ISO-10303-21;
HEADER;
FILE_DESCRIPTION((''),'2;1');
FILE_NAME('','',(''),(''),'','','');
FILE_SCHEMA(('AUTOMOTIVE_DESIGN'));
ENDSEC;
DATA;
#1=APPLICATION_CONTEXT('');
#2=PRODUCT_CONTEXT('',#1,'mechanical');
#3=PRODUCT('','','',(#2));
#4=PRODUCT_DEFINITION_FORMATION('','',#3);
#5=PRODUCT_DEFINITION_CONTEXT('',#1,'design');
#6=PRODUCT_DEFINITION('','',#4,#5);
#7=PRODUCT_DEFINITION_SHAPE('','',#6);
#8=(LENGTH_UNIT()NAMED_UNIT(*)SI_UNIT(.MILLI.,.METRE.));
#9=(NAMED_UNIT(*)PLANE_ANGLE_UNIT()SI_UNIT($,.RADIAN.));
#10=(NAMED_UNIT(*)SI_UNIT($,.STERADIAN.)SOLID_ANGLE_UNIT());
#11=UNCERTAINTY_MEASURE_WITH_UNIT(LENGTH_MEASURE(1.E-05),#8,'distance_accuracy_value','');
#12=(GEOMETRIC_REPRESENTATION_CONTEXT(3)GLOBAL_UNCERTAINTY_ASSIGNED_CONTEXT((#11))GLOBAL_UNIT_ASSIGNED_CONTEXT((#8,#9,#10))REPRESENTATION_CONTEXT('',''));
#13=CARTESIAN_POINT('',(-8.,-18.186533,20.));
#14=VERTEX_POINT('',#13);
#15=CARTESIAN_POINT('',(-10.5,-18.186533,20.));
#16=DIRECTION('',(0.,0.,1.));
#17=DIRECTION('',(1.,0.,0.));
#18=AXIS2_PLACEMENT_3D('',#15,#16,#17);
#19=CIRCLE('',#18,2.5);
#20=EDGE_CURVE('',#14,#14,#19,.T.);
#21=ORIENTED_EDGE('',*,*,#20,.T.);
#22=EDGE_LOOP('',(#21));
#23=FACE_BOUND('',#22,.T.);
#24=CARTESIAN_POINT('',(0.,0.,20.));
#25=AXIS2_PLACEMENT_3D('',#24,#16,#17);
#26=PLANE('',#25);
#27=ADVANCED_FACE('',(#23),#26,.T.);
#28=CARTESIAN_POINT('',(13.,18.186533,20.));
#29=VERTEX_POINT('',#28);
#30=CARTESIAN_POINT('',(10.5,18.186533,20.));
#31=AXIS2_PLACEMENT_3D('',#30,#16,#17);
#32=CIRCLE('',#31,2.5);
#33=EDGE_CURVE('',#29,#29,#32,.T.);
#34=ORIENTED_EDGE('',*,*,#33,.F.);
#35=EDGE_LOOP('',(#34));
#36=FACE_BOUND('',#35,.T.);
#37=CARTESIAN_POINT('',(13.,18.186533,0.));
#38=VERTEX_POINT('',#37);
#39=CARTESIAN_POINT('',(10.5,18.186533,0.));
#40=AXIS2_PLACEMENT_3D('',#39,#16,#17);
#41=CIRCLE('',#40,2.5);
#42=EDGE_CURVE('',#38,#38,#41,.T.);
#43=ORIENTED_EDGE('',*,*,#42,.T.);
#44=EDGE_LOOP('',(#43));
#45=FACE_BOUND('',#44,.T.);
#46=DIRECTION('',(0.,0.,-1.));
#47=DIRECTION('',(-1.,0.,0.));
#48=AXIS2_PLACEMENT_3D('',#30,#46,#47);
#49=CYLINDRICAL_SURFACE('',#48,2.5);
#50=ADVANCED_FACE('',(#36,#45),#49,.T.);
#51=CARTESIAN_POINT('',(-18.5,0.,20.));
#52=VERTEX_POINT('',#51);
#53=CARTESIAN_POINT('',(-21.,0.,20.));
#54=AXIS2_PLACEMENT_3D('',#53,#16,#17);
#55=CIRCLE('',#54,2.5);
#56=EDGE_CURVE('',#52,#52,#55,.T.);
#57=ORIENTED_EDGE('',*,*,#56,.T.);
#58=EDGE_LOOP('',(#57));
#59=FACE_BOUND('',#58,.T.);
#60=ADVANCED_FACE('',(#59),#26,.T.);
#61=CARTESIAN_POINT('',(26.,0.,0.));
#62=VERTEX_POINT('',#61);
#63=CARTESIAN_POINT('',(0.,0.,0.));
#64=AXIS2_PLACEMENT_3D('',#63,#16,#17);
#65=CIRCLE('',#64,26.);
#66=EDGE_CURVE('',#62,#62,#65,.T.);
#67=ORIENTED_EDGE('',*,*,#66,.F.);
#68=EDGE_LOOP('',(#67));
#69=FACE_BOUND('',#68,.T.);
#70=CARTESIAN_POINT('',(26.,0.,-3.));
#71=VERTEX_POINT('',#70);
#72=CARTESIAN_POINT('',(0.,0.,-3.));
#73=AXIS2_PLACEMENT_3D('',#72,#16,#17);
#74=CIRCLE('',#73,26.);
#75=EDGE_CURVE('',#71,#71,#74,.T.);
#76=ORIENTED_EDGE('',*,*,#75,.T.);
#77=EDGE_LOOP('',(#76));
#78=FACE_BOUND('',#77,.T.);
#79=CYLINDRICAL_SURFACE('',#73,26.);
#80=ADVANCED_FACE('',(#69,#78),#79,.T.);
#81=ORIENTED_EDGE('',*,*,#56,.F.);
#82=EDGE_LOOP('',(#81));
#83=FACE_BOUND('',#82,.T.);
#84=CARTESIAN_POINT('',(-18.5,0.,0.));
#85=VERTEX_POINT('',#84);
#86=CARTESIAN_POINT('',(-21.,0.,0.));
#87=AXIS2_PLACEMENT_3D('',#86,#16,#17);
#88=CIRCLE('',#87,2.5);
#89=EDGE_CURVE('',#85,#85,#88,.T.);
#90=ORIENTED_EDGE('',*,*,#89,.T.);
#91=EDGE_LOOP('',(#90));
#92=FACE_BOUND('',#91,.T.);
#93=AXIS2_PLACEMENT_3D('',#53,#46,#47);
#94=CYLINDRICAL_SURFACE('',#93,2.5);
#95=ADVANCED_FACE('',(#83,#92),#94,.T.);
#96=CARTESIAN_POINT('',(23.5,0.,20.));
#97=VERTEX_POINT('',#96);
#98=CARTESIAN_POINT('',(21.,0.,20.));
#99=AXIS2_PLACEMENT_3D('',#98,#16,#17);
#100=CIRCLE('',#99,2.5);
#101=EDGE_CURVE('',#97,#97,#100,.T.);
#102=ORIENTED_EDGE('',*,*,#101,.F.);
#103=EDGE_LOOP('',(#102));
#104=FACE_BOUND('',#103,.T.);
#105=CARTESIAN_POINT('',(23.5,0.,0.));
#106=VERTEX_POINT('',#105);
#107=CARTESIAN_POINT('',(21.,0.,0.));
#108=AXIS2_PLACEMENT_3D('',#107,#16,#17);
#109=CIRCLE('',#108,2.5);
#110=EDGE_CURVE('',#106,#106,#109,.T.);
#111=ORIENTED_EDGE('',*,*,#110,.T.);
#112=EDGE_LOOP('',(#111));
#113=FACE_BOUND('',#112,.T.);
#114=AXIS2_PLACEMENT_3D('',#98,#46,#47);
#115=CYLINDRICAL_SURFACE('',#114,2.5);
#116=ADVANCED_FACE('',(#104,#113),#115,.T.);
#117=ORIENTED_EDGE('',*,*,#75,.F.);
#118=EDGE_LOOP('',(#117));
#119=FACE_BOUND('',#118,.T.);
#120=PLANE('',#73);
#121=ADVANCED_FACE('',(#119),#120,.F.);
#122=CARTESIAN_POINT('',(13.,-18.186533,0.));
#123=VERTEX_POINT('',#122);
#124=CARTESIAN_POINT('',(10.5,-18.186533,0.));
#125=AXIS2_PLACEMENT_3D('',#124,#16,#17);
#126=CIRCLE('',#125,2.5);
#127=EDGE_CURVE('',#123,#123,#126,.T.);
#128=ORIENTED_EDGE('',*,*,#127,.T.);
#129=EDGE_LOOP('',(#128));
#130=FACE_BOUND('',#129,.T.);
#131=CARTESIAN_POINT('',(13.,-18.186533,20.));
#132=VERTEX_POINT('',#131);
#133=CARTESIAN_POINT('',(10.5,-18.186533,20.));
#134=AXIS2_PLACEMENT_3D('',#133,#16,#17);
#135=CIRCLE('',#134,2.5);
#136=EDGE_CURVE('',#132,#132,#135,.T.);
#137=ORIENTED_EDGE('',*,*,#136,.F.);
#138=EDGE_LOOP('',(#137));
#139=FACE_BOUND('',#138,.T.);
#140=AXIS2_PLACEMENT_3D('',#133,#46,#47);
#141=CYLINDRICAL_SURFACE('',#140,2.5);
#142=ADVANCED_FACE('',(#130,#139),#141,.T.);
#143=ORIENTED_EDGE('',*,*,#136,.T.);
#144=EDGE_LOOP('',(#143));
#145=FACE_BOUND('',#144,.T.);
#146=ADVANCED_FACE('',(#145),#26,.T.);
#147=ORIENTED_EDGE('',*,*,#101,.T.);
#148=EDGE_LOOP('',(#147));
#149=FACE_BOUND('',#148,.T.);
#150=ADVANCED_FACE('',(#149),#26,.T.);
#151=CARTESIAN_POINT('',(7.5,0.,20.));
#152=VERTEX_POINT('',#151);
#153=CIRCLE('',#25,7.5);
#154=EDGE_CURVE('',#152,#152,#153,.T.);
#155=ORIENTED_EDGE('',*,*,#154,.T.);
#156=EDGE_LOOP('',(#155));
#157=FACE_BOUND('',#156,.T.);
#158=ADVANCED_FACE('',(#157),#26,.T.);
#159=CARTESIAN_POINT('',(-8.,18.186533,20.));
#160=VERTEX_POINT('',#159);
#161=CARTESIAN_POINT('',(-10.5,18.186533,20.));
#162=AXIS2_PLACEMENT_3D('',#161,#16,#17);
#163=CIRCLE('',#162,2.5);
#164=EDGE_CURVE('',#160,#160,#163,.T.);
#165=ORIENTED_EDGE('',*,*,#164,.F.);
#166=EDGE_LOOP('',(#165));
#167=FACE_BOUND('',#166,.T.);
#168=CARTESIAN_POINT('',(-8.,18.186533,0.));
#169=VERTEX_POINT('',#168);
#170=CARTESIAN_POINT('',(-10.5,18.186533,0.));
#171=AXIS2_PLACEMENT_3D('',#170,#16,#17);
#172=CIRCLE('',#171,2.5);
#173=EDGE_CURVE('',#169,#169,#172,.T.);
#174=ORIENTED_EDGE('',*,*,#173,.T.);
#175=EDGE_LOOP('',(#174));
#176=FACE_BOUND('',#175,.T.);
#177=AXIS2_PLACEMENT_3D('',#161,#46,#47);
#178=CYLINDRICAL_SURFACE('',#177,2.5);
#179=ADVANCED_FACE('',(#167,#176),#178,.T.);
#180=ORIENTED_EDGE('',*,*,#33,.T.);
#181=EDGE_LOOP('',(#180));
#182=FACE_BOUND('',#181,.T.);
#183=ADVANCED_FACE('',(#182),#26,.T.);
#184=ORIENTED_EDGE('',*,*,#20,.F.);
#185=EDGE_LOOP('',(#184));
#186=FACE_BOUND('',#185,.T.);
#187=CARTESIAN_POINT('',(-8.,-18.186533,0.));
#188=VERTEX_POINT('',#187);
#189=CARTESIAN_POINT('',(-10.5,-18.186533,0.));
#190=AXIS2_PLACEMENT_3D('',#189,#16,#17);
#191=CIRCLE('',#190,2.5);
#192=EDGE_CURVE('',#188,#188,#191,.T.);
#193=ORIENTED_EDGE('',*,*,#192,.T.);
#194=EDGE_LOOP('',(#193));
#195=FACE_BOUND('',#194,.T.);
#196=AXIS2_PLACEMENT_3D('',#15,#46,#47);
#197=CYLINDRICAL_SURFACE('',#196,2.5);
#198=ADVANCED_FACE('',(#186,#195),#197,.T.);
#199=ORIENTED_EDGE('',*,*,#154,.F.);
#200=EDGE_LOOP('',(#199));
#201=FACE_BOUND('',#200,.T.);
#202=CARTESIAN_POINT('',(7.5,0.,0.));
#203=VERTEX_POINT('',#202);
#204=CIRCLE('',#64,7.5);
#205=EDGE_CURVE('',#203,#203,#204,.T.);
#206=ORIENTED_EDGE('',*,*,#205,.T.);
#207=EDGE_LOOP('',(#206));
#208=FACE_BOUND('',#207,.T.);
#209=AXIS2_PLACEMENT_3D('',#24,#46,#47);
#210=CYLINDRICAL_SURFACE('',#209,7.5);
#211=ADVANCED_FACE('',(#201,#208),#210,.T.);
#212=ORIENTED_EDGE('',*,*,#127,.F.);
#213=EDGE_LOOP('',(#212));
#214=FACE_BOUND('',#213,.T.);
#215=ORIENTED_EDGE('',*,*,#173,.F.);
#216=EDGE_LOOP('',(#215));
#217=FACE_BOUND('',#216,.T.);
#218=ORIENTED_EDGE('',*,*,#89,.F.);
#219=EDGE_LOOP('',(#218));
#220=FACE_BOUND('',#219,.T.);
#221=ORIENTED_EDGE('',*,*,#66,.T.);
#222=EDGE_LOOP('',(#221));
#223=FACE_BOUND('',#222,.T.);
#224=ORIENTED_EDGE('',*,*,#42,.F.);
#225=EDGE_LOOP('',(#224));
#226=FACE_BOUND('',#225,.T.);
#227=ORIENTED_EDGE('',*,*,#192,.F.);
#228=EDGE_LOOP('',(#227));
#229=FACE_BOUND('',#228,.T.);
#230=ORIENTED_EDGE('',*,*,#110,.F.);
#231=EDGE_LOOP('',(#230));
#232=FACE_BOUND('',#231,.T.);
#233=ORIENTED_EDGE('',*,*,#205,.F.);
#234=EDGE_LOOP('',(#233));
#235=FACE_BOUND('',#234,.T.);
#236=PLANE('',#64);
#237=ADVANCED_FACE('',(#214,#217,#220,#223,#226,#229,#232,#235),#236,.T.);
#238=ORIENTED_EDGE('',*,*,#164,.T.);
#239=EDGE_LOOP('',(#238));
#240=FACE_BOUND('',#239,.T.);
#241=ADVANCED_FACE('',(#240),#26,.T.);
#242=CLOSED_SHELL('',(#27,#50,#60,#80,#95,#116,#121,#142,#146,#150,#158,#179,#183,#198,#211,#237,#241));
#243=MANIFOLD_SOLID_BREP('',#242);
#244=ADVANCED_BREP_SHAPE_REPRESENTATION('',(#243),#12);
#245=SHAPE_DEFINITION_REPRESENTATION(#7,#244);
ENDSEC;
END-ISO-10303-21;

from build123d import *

# Parameters (mm, degrees)
SKETCH_1_R      = 26
EXTRUDE_1_DEPTH = 3
SKETCH_2_R      = 2.5
EXTRUDE_2_DEPTH = 20
SKETCH_3_R      = 7.5
EXTRUDE_3_DEPTH = 20


with BuildPart() as part:
    # 草图1 → 凸台-拉伸1 (new body)
    with BuildSketch(Plane.XY):
        Circle(SKETCH_1_R)
    extrude(amount=-EXTRUDE_1_DEPTH)

    # 草图2 → 凸台-拉伸2 (add)
    with BuildSketch(Plane.XY):
        with Locations((-21, 0)):
            Circle(SKETCH_2_R)
        with Locations((-10.5, 18.186533479)):
            Circle(SKETCH_2_R)
        with Locations((10.5, 18.186533479)):
            Circle(SKETCH_2_R)
        with Locations((21, 0)):
            Circle(SKETCH_2_R)
        with Locations((10.5, -18.186533479)):
            Circle(SKETCH_2_R)
        with Locations((-10.5, -18.186533479)):
            Circle(SKETCH_2_R)
    extrude(amount=EXTRUDE_2_DEPTH)

    # 草图3 → 凸台-拉伸3 (add)
    with BuildSketch(Plane.XY):
        Circle(SKETCH_3_R)
    extrude(amount=EXTRUDE_3_DEPTH)


solid = part.part
